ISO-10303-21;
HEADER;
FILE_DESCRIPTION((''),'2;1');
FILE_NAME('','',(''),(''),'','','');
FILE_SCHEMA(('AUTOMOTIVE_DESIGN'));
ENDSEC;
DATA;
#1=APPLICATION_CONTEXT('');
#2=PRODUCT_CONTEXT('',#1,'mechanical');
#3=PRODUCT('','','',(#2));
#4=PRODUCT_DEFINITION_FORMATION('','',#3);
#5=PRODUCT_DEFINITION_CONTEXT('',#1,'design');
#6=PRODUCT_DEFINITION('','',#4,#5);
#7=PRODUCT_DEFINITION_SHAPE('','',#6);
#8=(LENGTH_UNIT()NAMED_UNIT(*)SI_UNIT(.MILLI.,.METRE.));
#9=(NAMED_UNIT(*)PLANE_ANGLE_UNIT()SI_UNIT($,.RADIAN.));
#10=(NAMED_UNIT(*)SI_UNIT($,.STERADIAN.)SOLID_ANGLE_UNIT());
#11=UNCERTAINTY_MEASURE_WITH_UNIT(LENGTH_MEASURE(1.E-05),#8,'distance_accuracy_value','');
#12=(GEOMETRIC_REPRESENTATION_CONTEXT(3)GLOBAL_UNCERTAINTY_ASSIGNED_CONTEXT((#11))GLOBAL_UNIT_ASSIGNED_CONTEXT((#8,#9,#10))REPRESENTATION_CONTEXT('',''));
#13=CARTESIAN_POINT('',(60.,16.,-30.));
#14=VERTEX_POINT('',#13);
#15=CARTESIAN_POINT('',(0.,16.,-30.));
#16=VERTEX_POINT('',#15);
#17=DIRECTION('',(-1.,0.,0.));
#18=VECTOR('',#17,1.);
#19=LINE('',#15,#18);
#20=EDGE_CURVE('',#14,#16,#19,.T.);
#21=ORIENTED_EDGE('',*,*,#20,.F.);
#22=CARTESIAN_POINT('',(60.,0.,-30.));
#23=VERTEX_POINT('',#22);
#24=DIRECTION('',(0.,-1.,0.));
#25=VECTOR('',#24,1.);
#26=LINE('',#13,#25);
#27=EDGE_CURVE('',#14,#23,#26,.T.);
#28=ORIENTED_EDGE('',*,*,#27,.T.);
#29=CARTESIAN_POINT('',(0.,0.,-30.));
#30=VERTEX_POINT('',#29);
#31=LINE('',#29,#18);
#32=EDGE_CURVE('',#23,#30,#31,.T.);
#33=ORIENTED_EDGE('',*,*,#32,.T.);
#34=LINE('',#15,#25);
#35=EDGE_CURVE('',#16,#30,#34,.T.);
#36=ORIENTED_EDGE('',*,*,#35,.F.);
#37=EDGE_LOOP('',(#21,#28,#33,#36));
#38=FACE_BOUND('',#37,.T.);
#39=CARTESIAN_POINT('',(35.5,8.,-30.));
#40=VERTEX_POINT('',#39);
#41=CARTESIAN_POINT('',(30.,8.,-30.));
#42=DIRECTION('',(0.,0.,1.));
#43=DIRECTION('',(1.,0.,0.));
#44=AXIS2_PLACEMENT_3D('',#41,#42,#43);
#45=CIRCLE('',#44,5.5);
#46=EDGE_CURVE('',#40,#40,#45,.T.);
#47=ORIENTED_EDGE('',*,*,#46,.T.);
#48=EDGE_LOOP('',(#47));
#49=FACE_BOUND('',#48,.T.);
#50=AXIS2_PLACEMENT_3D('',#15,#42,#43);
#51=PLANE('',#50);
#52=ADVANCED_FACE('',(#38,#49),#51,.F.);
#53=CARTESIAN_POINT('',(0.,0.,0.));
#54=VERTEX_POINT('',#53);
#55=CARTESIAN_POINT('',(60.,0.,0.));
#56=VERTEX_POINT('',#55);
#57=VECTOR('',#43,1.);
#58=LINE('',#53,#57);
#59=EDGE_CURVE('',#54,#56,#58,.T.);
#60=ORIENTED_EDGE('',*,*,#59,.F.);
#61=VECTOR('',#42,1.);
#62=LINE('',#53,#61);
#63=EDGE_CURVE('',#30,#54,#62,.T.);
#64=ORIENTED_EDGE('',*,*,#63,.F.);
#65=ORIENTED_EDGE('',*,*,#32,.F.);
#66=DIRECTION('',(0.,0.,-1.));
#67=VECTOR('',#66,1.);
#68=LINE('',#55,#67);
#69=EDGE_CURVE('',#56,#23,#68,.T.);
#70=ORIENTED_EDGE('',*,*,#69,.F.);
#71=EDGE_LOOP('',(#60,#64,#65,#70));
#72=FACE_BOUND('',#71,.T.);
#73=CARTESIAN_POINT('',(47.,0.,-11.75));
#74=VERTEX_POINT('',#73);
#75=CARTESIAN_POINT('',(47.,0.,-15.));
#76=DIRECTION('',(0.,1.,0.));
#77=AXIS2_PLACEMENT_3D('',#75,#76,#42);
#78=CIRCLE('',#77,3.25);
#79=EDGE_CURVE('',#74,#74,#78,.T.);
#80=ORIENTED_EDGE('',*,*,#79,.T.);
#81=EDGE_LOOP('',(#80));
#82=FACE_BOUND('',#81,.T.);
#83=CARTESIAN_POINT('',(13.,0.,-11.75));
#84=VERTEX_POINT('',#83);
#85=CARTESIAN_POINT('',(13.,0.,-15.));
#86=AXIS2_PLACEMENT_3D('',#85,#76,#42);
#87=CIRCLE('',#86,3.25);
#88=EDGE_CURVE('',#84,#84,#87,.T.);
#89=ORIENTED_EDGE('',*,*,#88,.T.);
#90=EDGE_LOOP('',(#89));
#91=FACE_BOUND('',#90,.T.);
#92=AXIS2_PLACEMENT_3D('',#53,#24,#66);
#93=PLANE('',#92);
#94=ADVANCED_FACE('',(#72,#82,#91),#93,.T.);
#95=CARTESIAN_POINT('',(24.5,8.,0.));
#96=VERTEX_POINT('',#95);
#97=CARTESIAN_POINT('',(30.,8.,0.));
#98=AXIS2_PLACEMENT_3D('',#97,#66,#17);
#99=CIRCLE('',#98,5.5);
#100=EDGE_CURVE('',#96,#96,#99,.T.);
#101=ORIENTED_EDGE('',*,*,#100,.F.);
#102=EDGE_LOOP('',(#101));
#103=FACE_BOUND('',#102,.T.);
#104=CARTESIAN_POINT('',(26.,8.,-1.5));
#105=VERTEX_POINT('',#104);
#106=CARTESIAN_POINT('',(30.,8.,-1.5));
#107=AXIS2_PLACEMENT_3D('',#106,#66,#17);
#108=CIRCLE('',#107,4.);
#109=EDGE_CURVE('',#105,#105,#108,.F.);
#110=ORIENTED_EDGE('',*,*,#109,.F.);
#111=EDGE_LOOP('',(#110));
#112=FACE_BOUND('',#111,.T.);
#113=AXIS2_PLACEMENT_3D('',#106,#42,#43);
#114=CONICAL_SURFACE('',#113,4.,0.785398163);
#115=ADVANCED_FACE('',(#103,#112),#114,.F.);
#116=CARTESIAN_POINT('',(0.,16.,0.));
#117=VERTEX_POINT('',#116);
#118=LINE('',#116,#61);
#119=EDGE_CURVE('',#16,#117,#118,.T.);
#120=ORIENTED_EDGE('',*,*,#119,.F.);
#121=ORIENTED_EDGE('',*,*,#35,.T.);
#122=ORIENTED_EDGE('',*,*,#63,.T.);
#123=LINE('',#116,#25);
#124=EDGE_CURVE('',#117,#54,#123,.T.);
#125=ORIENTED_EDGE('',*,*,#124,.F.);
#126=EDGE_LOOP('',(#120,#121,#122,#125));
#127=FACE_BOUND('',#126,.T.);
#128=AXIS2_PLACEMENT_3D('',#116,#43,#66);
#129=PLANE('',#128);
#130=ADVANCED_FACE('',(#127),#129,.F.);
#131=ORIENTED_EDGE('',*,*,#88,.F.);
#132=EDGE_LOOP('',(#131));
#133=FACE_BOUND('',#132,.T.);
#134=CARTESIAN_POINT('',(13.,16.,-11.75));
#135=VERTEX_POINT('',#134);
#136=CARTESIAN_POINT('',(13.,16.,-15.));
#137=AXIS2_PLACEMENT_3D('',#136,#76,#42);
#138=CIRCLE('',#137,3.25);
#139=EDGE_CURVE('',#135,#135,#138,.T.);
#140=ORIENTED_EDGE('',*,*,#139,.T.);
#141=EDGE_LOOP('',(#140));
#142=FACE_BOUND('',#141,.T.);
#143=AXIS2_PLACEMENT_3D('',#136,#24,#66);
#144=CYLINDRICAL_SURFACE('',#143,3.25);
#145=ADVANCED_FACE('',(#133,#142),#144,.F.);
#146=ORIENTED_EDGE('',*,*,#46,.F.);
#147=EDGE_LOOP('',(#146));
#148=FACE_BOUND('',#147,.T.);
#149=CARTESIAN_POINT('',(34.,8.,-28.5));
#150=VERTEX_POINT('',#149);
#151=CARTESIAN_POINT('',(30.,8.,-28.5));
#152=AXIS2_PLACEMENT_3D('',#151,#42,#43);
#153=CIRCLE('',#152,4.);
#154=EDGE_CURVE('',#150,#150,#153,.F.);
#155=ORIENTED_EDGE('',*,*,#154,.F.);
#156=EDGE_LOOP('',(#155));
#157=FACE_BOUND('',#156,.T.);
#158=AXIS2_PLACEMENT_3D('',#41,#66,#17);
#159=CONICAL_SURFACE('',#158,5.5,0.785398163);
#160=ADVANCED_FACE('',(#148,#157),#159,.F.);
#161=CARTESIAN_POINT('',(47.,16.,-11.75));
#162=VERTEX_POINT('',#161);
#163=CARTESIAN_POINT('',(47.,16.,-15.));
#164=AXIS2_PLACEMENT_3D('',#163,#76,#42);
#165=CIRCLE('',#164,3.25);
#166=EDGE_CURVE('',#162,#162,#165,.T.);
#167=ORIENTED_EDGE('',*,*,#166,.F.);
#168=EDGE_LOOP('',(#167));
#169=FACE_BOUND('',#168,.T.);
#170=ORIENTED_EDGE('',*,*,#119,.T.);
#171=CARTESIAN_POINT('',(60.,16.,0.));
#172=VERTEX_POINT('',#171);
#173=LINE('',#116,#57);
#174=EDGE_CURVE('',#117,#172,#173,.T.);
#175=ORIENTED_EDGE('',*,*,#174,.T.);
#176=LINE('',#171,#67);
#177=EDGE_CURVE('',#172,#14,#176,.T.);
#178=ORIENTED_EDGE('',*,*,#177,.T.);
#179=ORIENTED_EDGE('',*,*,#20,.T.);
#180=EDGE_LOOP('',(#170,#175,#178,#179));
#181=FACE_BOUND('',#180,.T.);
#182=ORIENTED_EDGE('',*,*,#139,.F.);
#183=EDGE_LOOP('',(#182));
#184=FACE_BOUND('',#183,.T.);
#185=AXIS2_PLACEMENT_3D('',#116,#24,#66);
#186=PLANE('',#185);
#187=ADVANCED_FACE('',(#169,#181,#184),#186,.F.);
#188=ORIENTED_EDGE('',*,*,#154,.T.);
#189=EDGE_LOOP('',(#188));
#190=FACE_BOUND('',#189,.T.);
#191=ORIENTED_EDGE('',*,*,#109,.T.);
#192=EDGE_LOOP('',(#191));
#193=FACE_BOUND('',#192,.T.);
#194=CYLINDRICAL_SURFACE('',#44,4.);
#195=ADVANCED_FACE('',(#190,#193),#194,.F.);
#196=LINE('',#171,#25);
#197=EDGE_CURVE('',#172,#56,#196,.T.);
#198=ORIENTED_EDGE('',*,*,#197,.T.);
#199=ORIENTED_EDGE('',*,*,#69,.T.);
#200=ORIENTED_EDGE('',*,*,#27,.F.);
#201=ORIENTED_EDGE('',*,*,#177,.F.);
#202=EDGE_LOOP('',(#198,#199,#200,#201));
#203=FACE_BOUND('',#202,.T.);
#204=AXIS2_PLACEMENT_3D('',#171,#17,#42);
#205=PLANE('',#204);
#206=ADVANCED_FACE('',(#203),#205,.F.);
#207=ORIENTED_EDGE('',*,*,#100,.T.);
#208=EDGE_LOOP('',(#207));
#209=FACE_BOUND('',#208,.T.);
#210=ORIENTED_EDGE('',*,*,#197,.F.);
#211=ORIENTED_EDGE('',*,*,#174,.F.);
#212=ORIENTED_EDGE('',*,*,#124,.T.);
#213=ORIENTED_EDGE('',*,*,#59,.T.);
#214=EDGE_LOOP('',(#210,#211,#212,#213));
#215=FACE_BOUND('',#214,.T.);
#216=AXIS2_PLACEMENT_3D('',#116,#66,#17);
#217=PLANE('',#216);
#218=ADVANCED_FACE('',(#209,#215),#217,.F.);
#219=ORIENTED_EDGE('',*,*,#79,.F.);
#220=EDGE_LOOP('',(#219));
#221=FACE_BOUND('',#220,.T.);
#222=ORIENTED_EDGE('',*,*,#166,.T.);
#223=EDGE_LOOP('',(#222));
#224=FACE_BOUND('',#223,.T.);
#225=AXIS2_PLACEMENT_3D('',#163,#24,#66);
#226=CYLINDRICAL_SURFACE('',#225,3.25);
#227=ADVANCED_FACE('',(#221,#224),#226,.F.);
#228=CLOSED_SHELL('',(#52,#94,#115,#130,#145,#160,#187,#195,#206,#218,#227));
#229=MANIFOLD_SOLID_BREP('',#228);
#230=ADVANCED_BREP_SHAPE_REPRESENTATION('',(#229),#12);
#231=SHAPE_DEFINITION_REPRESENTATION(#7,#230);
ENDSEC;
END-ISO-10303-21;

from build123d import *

# Parameters (mm, degrees)
SKETCH1_W           = 60
SKETCH1_H           = 30
SKETCH1_R           = 3.25
BOSS_EXTRUDE1_DEPTH = 16
SKETCH2_R           = 4
CUT_EXTRUDE1_DEPTH  = 31
CHAMFER1_SIZE       = 1.5


with BuildPart() as part:
    # Sketch1 → Boss-Extrude1 (new body)
    with BuildSketch(Plane(origin=(0, 0, 0), x_dir=(1, 0, 0), z_dir=(0, 1, 0))):
        with Locations((30, 15)):
            Rectangle(SKETCH1_W, SKETCH1_H)
        with Locations((13, 15)):
            Circle(SKETCH1_R, mode=Mode.SUBTRACT)
        with Locations((47, 15)):
            Circle(SKETCH1_R, mode=Mode.SUBTRACT)
    extrude(amount=BOSS_EXTRUDE1_DEPTH)

    # Sketch2 → Cut-Extrude1 (cut, through all)
    with BuildSketch(Plane.XY):
        with Locations((30, 8)):
            Circle(SKETCH2_R)
    extrude(amount=-CUT_EXTRUDE1_DEPTH, mode=Mode.SUBTRACT)

    # Chamfer1
    chamfer1_edges = [part.edges().sort_by_distance(p)[0] for p in [
        (26, 8, -30),
        (26, 8, 0),
    ]]
    chamfer(chamfer1_edges, length=CHAMFER1_SIZE)


solid = part.part
